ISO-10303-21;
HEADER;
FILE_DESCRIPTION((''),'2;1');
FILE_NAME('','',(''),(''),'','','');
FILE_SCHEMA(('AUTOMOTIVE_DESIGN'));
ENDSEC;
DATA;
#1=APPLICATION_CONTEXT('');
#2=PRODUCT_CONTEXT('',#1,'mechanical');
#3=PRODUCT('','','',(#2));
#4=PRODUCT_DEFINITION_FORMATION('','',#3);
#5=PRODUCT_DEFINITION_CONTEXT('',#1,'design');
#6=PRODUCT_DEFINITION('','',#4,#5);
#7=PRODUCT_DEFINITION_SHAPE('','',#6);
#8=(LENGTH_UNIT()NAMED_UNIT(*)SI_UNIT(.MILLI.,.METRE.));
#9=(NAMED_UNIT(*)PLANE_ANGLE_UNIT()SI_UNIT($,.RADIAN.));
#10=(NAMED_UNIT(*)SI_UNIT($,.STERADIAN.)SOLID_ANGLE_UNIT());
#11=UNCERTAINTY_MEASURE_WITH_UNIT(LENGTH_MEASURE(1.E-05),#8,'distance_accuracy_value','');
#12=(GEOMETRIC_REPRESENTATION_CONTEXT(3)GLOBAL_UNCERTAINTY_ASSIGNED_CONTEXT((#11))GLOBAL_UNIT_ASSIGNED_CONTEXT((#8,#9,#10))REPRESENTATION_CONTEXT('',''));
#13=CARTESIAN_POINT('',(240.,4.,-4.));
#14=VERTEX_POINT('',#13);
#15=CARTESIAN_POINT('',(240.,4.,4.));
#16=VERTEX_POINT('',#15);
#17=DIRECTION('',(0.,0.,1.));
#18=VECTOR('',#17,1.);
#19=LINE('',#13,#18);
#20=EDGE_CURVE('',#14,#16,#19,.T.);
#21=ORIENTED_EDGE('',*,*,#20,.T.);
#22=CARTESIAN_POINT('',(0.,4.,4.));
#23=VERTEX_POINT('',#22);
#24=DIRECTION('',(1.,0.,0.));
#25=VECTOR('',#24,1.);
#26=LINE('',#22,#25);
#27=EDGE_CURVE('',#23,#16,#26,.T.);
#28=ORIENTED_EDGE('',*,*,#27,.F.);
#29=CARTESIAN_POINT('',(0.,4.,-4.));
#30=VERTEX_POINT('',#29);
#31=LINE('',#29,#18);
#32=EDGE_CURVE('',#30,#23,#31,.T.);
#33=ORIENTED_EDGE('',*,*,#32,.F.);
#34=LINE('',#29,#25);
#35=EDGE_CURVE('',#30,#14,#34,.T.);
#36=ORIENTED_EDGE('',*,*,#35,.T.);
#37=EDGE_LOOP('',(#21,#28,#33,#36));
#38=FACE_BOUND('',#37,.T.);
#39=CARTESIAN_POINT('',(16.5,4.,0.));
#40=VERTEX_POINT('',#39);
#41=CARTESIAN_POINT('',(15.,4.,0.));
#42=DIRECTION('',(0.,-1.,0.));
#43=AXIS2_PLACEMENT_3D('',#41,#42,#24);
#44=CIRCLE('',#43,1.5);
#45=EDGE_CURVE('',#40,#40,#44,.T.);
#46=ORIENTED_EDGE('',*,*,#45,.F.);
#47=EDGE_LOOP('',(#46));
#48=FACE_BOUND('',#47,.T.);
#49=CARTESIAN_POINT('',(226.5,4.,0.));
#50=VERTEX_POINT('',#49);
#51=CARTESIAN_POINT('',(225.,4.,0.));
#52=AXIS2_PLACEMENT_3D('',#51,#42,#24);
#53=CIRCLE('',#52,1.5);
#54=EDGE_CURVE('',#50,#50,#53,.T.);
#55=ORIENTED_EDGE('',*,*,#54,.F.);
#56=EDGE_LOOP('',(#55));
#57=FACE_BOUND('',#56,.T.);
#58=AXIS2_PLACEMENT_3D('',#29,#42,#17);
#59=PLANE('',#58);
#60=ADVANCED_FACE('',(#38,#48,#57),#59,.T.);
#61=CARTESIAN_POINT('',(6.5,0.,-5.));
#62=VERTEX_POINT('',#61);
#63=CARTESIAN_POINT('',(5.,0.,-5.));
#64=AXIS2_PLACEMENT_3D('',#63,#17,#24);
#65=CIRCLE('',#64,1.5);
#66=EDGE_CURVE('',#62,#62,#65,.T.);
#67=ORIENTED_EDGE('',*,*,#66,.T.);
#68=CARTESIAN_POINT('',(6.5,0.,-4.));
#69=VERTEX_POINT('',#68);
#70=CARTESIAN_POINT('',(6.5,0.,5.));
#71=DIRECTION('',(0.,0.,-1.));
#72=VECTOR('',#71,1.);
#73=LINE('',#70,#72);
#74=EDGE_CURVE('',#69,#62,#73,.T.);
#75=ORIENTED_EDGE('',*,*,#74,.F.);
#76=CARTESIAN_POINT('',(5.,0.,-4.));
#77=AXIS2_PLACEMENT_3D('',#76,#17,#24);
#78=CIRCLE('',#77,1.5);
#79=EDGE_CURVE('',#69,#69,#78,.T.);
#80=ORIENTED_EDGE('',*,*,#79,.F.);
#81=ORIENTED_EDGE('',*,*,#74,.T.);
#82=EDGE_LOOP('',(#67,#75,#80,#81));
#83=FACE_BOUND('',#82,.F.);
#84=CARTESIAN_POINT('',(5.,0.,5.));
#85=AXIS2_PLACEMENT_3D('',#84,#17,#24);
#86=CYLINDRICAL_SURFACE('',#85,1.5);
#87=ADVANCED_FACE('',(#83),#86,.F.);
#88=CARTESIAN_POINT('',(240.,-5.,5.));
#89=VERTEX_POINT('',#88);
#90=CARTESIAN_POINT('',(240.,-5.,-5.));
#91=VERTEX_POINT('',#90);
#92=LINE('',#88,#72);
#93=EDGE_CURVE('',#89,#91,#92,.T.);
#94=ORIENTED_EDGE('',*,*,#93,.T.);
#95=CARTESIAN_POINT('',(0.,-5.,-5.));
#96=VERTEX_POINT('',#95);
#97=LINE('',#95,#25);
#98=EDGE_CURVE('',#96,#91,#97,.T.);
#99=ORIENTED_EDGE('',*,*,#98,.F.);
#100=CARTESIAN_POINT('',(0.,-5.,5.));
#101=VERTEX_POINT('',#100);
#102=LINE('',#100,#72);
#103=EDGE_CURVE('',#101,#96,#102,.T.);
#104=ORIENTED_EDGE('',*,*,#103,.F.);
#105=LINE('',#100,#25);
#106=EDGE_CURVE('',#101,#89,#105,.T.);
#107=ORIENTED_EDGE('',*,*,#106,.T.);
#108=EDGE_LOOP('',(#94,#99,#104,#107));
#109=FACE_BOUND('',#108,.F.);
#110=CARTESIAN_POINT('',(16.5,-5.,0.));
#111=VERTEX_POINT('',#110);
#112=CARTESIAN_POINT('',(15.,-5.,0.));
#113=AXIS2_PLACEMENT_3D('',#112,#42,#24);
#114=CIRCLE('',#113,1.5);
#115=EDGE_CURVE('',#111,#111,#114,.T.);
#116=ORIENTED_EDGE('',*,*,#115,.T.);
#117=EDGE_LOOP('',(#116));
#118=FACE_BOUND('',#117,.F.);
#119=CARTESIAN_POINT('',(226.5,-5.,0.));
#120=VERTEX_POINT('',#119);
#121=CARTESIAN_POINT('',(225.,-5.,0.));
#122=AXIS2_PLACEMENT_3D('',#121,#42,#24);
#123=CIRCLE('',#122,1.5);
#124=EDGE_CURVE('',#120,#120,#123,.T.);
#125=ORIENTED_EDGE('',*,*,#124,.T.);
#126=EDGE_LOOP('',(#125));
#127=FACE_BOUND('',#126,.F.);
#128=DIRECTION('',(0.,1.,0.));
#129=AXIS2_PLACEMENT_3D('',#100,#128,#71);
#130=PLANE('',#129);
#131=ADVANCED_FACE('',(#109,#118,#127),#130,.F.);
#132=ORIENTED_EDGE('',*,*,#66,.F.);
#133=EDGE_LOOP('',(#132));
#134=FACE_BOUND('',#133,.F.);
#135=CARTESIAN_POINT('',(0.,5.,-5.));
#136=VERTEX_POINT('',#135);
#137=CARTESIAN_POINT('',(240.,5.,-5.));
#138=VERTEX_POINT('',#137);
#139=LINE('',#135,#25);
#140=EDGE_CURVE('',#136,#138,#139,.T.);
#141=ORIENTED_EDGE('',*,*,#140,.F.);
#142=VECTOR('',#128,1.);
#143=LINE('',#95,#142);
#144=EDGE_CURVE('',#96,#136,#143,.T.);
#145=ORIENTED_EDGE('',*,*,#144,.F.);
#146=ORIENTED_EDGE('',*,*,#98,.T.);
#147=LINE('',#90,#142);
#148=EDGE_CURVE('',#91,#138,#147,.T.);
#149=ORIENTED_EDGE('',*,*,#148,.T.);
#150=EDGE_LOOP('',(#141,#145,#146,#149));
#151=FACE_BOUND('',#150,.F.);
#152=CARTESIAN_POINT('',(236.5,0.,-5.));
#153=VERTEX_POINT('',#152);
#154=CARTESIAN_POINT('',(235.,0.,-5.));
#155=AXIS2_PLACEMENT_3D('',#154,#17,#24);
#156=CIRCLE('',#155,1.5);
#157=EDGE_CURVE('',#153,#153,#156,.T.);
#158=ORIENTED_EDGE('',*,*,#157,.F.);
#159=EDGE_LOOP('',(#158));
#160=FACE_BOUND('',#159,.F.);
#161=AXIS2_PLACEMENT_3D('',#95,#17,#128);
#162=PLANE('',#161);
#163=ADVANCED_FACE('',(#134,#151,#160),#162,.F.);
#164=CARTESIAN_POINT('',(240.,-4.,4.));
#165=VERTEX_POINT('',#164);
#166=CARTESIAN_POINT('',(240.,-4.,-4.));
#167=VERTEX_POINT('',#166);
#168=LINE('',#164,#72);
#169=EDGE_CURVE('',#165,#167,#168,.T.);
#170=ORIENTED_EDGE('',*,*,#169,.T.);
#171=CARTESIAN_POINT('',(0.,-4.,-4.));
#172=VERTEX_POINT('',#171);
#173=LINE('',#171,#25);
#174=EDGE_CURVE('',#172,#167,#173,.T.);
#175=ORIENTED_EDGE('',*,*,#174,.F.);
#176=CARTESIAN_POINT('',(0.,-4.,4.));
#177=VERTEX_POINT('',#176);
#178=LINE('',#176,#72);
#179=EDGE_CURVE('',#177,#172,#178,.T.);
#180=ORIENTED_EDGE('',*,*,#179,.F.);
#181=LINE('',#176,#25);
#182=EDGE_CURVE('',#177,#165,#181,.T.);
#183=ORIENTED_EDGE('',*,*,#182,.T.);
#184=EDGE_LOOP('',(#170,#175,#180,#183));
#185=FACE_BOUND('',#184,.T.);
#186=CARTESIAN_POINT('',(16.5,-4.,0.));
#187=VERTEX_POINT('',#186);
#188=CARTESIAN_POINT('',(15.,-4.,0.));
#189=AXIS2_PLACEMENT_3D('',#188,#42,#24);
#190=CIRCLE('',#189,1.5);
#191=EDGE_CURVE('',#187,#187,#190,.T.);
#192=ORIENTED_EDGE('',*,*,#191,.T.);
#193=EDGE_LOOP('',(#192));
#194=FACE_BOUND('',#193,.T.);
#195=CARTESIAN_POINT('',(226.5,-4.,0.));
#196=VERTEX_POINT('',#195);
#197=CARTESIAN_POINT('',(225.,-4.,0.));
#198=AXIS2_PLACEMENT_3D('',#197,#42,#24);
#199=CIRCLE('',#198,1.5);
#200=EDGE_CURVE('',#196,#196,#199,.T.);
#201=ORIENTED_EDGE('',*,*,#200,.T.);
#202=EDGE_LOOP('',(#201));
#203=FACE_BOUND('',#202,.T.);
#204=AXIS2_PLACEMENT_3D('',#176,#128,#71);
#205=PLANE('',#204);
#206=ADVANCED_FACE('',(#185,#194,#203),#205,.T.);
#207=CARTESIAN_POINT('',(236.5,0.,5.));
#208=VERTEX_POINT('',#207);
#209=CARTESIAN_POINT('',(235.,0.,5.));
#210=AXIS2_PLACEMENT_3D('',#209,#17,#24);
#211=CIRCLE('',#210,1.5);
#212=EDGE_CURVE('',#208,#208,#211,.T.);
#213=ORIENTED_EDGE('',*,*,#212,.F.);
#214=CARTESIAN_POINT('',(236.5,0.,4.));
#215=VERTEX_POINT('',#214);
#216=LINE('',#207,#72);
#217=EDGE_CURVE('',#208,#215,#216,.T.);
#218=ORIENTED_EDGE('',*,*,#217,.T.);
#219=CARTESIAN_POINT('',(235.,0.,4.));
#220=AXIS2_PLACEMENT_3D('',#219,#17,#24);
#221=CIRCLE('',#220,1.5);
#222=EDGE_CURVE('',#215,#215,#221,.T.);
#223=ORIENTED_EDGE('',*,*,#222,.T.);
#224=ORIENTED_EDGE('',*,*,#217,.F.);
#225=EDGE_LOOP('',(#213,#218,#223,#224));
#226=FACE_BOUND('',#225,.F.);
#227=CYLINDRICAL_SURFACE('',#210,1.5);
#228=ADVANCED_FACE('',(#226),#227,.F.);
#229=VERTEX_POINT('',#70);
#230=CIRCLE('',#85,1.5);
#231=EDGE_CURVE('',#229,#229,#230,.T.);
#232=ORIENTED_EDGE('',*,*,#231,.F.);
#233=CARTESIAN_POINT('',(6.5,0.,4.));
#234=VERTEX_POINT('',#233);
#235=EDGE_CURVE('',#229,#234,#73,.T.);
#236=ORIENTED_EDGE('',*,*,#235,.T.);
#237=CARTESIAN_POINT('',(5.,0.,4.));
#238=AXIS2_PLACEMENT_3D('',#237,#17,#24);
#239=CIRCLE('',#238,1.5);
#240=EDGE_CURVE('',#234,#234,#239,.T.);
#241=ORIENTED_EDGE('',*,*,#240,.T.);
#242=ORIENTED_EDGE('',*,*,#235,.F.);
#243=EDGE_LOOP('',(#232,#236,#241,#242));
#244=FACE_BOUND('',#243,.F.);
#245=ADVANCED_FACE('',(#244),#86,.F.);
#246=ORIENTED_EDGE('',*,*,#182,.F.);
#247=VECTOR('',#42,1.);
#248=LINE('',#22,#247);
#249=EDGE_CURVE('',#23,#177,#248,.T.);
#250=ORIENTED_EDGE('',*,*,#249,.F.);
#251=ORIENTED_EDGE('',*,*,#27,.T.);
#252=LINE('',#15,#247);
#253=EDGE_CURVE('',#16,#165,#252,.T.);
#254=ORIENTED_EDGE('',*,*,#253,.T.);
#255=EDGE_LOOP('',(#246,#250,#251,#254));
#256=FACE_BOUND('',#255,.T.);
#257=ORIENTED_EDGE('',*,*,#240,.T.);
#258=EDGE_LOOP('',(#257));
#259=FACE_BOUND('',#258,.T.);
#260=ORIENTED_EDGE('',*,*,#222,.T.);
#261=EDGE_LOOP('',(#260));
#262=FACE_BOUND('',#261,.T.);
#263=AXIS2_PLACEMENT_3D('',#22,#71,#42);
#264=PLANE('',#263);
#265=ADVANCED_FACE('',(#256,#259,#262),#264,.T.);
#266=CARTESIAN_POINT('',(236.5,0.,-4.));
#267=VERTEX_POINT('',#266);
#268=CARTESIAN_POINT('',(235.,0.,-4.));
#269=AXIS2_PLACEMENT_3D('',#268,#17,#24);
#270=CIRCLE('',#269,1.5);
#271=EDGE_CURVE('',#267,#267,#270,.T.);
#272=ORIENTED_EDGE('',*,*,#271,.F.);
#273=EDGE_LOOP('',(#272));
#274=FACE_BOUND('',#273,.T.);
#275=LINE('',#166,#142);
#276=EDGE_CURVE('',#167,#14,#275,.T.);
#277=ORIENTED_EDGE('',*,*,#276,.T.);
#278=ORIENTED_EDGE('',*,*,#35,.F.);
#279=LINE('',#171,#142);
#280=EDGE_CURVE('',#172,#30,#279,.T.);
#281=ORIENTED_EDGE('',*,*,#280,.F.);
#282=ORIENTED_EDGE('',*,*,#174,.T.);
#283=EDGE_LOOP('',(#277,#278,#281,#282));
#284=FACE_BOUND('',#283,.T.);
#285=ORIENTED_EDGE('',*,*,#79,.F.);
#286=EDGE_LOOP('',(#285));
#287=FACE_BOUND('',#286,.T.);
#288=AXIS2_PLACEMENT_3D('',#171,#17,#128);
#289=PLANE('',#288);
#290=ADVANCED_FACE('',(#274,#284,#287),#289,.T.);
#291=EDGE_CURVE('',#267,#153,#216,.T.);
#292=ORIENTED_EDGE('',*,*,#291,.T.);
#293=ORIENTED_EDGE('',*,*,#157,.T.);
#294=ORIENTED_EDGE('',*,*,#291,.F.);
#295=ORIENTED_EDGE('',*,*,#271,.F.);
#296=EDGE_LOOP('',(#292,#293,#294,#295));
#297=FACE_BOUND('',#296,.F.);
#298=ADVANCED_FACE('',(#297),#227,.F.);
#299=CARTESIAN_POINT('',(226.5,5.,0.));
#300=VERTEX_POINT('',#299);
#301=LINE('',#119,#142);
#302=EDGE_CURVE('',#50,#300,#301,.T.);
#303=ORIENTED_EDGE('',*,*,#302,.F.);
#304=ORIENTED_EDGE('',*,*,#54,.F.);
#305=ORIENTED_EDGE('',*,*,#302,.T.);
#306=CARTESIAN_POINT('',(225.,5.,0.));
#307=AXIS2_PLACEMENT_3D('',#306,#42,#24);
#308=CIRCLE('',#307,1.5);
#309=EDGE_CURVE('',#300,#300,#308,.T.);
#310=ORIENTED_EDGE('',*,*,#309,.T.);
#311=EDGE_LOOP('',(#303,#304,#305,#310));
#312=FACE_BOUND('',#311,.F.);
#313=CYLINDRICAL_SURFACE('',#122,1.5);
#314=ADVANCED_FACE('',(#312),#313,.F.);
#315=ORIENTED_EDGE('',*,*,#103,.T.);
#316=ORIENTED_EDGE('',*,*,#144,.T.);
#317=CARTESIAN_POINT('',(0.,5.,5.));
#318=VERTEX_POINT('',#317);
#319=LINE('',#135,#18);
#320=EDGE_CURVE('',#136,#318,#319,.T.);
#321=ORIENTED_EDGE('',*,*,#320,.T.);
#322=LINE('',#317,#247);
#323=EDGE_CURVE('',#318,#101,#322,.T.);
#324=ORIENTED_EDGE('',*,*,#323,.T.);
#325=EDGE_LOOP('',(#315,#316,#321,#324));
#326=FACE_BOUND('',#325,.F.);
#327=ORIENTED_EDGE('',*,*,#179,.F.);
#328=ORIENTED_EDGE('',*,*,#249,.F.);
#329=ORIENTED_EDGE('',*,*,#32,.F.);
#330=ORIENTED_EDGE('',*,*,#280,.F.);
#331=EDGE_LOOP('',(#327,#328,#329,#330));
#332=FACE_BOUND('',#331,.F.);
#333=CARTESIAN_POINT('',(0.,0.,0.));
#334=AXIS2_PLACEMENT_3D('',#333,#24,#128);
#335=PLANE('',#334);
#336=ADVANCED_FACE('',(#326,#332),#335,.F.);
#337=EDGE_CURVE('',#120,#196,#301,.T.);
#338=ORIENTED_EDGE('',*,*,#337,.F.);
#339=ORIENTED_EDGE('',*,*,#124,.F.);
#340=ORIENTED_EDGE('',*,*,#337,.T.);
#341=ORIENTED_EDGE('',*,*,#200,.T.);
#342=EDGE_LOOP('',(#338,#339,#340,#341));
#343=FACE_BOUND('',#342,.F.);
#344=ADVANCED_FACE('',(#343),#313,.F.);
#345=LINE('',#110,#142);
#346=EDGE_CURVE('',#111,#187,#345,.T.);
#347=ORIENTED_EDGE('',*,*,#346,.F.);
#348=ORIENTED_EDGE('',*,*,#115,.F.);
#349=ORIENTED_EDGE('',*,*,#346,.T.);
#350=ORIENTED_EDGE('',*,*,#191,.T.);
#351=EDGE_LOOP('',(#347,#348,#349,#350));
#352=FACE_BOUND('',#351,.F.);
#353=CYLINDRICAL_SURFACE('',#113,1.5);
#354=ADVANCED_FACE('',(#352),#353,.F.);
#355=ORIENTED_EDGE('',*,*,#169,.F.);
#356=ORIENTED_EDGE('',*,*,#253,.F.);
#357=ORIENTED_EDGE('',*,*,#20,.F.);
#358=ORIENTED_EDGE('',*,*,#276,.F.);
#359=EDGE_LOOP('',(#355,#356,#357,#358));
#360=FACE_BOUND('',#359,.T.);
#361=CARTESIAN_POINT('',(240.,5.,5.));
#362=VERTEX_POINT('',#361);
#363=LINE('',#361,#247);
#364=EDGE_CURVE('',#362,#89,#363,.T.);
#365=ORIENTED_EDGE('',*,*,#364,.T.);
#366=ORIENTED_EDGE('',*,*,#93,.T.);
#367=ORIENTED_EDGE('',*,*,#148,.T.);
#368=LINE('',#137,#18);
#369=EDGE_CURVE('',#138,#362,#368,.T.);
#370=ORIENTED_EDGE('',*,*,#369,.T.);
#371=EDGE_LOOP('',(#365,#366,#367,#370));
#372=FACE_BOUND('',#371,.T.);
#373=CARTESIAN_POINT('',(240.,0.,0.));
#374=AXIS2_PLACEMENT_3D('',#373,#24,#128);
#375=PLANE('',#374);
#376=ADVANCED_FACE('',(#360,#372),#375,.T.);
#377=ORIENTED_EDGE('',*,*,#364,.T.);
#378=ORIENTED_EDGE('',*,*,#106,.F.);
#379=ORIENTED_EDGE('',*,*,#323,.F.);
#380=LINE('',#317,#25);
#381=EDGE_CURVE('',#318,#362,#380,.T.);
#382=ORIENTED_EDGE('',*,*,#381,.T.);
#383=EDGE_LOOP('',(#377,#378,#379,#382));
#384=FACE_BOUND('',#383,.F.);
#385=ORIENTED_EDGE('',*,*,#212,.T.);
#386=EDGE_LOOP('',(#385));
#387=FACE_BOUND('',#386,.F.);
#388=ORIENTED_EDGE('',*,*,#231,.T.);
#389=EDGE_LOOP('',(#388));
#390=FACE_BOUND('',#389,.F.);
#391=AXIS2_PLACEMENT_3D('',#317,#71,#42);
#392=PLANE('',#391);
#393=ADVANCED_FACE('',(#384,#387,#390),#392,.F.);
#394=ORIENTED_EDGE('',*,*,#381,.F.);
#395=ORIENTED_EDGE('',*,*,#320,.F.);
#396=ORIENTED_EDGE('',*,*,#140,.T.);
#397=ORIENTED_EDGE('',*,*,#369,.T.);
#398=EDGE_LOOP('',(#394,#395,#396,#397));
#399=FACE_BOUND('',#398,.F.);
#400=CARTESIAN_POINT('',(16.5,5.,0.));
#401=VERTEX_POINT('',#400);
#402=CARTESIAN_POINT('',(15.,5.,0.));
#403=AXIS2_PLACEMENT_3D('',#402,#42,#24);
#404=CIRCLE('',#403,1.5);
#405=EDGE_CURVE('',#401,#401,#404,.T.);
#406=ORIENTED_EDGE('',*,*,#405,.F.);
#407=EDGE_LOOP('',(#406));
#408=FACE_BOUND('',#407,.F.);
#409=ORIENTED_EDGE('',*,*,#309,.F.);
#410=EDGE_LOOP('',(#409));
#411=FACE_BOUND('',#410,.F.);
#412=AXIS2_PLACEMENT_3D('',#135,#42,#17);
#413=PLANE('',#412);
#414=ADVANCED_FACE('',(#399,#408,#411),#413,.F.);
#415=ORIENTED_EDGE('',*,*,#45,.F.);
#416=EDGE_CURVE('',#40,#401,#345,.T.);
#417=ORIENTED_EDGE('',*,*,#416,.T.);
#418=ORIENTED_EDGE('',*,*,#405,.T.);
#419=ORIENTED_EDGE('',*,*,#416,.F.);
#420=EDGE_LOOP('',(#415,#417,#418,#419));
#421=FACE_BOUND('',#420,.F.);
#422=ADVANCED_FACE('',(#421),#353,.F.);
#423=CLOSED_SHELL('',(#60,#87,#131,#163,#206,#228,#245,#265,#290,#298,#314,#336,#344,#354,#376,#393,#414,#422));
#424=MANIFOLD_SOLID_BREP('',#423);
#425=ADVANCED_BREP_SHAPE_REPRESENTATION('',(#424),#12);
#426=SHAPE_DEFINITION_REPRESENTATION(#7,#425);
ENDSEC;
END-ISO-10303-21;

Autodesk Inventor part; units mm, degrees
ref_plane "YZ Plane" through (0, 0, 0) normal (1, 0, 0) x (0, 1, 0)
ref_plane "XZ Plane" through (0, 0, 0) normal (0, 1, 0) x (-1, 0, 0)
ref_plane "XY Plane" through (0, 0, 0) normal (0, 0, 1) x (1, 0, 0)
sketch "スケッチ1" plane through (0, 0, 0) normal (1, 0, 0) x (0, 1, 0)
  line L0 (5, 5) -> (-5, 5)
  line L1 (-5, 5) -> (-5, -5)
  line L2 (-5, -5) -> (5, -5)
  line L3 (5, -5) -> (5, 5)
  line L4 (4, 4) -> (-4, 4)
  line L5 (-4, 4) -> (-4, -4)
  line L6 (-4, -4) -> (4, -4)
  line L7 (4, -4) -> (4, 4)
  point P0 (0, 0)
  dimension "d0" = 1
  dimension "d1" = 1
  dimension "d2" = 1
  dimension "d3" = 1
  dimension "d4" = 10
  dimension "d5" = 10
  dimension "d6" = 5
  dimension "d7" = 5
extrude "押し出し1" add sketch "スケッチ1" along normal blind 240
sketch "スケッチ2" plane through (0, -5, 5) normal (0, 0, 1) x (1, 0, 0)
  circle A0 centre (5, 5) radius 1.5
  circle A1 centre (235, 5) radius 1.5
  line L0 (240, 10) -> (240, 0) projected
  line L1 (0, 0) -> (240, 0) projected
  line L2 (0, 10) -> (0, 0) projected
  point P0 (0, 5)
  dimension "d10" = 5
  dimension "d11" = 3
  dimension "d12" = 5
  dimension "d13" = 5
  dimension "d14" = 5
  dimension "d15" = 3
extrude "押し出し2" cut sketch "スケッチ2" against normal blind 230
sketch "スケッチ3" plane through (0, -5, -5) normal (0, -1, 0) x (1, 0, 0)
  circle A0 centre (15, 5) radius 1.5
  line L0 (0, 10) -> (0, 0) projected
  circle A1 centre (225, 5) radius 1.5
  line L1 (240, 10) -> (240, 0) projected
  line L2 (0, 0) -> (240, 0) projected
  point P0 (0, 5)
  dimension "d18" = 3
  dimension "d19" = 15
  dimension "d20" = 3
  dimension "d21" = 15
  dimension "d22" = 5
  dimension "d23" = 5
extrude "押し出し3" cut sketch "スケッチ3" against normal blind 230
properties part number "sideparts" material "アルミニウム 6061"
